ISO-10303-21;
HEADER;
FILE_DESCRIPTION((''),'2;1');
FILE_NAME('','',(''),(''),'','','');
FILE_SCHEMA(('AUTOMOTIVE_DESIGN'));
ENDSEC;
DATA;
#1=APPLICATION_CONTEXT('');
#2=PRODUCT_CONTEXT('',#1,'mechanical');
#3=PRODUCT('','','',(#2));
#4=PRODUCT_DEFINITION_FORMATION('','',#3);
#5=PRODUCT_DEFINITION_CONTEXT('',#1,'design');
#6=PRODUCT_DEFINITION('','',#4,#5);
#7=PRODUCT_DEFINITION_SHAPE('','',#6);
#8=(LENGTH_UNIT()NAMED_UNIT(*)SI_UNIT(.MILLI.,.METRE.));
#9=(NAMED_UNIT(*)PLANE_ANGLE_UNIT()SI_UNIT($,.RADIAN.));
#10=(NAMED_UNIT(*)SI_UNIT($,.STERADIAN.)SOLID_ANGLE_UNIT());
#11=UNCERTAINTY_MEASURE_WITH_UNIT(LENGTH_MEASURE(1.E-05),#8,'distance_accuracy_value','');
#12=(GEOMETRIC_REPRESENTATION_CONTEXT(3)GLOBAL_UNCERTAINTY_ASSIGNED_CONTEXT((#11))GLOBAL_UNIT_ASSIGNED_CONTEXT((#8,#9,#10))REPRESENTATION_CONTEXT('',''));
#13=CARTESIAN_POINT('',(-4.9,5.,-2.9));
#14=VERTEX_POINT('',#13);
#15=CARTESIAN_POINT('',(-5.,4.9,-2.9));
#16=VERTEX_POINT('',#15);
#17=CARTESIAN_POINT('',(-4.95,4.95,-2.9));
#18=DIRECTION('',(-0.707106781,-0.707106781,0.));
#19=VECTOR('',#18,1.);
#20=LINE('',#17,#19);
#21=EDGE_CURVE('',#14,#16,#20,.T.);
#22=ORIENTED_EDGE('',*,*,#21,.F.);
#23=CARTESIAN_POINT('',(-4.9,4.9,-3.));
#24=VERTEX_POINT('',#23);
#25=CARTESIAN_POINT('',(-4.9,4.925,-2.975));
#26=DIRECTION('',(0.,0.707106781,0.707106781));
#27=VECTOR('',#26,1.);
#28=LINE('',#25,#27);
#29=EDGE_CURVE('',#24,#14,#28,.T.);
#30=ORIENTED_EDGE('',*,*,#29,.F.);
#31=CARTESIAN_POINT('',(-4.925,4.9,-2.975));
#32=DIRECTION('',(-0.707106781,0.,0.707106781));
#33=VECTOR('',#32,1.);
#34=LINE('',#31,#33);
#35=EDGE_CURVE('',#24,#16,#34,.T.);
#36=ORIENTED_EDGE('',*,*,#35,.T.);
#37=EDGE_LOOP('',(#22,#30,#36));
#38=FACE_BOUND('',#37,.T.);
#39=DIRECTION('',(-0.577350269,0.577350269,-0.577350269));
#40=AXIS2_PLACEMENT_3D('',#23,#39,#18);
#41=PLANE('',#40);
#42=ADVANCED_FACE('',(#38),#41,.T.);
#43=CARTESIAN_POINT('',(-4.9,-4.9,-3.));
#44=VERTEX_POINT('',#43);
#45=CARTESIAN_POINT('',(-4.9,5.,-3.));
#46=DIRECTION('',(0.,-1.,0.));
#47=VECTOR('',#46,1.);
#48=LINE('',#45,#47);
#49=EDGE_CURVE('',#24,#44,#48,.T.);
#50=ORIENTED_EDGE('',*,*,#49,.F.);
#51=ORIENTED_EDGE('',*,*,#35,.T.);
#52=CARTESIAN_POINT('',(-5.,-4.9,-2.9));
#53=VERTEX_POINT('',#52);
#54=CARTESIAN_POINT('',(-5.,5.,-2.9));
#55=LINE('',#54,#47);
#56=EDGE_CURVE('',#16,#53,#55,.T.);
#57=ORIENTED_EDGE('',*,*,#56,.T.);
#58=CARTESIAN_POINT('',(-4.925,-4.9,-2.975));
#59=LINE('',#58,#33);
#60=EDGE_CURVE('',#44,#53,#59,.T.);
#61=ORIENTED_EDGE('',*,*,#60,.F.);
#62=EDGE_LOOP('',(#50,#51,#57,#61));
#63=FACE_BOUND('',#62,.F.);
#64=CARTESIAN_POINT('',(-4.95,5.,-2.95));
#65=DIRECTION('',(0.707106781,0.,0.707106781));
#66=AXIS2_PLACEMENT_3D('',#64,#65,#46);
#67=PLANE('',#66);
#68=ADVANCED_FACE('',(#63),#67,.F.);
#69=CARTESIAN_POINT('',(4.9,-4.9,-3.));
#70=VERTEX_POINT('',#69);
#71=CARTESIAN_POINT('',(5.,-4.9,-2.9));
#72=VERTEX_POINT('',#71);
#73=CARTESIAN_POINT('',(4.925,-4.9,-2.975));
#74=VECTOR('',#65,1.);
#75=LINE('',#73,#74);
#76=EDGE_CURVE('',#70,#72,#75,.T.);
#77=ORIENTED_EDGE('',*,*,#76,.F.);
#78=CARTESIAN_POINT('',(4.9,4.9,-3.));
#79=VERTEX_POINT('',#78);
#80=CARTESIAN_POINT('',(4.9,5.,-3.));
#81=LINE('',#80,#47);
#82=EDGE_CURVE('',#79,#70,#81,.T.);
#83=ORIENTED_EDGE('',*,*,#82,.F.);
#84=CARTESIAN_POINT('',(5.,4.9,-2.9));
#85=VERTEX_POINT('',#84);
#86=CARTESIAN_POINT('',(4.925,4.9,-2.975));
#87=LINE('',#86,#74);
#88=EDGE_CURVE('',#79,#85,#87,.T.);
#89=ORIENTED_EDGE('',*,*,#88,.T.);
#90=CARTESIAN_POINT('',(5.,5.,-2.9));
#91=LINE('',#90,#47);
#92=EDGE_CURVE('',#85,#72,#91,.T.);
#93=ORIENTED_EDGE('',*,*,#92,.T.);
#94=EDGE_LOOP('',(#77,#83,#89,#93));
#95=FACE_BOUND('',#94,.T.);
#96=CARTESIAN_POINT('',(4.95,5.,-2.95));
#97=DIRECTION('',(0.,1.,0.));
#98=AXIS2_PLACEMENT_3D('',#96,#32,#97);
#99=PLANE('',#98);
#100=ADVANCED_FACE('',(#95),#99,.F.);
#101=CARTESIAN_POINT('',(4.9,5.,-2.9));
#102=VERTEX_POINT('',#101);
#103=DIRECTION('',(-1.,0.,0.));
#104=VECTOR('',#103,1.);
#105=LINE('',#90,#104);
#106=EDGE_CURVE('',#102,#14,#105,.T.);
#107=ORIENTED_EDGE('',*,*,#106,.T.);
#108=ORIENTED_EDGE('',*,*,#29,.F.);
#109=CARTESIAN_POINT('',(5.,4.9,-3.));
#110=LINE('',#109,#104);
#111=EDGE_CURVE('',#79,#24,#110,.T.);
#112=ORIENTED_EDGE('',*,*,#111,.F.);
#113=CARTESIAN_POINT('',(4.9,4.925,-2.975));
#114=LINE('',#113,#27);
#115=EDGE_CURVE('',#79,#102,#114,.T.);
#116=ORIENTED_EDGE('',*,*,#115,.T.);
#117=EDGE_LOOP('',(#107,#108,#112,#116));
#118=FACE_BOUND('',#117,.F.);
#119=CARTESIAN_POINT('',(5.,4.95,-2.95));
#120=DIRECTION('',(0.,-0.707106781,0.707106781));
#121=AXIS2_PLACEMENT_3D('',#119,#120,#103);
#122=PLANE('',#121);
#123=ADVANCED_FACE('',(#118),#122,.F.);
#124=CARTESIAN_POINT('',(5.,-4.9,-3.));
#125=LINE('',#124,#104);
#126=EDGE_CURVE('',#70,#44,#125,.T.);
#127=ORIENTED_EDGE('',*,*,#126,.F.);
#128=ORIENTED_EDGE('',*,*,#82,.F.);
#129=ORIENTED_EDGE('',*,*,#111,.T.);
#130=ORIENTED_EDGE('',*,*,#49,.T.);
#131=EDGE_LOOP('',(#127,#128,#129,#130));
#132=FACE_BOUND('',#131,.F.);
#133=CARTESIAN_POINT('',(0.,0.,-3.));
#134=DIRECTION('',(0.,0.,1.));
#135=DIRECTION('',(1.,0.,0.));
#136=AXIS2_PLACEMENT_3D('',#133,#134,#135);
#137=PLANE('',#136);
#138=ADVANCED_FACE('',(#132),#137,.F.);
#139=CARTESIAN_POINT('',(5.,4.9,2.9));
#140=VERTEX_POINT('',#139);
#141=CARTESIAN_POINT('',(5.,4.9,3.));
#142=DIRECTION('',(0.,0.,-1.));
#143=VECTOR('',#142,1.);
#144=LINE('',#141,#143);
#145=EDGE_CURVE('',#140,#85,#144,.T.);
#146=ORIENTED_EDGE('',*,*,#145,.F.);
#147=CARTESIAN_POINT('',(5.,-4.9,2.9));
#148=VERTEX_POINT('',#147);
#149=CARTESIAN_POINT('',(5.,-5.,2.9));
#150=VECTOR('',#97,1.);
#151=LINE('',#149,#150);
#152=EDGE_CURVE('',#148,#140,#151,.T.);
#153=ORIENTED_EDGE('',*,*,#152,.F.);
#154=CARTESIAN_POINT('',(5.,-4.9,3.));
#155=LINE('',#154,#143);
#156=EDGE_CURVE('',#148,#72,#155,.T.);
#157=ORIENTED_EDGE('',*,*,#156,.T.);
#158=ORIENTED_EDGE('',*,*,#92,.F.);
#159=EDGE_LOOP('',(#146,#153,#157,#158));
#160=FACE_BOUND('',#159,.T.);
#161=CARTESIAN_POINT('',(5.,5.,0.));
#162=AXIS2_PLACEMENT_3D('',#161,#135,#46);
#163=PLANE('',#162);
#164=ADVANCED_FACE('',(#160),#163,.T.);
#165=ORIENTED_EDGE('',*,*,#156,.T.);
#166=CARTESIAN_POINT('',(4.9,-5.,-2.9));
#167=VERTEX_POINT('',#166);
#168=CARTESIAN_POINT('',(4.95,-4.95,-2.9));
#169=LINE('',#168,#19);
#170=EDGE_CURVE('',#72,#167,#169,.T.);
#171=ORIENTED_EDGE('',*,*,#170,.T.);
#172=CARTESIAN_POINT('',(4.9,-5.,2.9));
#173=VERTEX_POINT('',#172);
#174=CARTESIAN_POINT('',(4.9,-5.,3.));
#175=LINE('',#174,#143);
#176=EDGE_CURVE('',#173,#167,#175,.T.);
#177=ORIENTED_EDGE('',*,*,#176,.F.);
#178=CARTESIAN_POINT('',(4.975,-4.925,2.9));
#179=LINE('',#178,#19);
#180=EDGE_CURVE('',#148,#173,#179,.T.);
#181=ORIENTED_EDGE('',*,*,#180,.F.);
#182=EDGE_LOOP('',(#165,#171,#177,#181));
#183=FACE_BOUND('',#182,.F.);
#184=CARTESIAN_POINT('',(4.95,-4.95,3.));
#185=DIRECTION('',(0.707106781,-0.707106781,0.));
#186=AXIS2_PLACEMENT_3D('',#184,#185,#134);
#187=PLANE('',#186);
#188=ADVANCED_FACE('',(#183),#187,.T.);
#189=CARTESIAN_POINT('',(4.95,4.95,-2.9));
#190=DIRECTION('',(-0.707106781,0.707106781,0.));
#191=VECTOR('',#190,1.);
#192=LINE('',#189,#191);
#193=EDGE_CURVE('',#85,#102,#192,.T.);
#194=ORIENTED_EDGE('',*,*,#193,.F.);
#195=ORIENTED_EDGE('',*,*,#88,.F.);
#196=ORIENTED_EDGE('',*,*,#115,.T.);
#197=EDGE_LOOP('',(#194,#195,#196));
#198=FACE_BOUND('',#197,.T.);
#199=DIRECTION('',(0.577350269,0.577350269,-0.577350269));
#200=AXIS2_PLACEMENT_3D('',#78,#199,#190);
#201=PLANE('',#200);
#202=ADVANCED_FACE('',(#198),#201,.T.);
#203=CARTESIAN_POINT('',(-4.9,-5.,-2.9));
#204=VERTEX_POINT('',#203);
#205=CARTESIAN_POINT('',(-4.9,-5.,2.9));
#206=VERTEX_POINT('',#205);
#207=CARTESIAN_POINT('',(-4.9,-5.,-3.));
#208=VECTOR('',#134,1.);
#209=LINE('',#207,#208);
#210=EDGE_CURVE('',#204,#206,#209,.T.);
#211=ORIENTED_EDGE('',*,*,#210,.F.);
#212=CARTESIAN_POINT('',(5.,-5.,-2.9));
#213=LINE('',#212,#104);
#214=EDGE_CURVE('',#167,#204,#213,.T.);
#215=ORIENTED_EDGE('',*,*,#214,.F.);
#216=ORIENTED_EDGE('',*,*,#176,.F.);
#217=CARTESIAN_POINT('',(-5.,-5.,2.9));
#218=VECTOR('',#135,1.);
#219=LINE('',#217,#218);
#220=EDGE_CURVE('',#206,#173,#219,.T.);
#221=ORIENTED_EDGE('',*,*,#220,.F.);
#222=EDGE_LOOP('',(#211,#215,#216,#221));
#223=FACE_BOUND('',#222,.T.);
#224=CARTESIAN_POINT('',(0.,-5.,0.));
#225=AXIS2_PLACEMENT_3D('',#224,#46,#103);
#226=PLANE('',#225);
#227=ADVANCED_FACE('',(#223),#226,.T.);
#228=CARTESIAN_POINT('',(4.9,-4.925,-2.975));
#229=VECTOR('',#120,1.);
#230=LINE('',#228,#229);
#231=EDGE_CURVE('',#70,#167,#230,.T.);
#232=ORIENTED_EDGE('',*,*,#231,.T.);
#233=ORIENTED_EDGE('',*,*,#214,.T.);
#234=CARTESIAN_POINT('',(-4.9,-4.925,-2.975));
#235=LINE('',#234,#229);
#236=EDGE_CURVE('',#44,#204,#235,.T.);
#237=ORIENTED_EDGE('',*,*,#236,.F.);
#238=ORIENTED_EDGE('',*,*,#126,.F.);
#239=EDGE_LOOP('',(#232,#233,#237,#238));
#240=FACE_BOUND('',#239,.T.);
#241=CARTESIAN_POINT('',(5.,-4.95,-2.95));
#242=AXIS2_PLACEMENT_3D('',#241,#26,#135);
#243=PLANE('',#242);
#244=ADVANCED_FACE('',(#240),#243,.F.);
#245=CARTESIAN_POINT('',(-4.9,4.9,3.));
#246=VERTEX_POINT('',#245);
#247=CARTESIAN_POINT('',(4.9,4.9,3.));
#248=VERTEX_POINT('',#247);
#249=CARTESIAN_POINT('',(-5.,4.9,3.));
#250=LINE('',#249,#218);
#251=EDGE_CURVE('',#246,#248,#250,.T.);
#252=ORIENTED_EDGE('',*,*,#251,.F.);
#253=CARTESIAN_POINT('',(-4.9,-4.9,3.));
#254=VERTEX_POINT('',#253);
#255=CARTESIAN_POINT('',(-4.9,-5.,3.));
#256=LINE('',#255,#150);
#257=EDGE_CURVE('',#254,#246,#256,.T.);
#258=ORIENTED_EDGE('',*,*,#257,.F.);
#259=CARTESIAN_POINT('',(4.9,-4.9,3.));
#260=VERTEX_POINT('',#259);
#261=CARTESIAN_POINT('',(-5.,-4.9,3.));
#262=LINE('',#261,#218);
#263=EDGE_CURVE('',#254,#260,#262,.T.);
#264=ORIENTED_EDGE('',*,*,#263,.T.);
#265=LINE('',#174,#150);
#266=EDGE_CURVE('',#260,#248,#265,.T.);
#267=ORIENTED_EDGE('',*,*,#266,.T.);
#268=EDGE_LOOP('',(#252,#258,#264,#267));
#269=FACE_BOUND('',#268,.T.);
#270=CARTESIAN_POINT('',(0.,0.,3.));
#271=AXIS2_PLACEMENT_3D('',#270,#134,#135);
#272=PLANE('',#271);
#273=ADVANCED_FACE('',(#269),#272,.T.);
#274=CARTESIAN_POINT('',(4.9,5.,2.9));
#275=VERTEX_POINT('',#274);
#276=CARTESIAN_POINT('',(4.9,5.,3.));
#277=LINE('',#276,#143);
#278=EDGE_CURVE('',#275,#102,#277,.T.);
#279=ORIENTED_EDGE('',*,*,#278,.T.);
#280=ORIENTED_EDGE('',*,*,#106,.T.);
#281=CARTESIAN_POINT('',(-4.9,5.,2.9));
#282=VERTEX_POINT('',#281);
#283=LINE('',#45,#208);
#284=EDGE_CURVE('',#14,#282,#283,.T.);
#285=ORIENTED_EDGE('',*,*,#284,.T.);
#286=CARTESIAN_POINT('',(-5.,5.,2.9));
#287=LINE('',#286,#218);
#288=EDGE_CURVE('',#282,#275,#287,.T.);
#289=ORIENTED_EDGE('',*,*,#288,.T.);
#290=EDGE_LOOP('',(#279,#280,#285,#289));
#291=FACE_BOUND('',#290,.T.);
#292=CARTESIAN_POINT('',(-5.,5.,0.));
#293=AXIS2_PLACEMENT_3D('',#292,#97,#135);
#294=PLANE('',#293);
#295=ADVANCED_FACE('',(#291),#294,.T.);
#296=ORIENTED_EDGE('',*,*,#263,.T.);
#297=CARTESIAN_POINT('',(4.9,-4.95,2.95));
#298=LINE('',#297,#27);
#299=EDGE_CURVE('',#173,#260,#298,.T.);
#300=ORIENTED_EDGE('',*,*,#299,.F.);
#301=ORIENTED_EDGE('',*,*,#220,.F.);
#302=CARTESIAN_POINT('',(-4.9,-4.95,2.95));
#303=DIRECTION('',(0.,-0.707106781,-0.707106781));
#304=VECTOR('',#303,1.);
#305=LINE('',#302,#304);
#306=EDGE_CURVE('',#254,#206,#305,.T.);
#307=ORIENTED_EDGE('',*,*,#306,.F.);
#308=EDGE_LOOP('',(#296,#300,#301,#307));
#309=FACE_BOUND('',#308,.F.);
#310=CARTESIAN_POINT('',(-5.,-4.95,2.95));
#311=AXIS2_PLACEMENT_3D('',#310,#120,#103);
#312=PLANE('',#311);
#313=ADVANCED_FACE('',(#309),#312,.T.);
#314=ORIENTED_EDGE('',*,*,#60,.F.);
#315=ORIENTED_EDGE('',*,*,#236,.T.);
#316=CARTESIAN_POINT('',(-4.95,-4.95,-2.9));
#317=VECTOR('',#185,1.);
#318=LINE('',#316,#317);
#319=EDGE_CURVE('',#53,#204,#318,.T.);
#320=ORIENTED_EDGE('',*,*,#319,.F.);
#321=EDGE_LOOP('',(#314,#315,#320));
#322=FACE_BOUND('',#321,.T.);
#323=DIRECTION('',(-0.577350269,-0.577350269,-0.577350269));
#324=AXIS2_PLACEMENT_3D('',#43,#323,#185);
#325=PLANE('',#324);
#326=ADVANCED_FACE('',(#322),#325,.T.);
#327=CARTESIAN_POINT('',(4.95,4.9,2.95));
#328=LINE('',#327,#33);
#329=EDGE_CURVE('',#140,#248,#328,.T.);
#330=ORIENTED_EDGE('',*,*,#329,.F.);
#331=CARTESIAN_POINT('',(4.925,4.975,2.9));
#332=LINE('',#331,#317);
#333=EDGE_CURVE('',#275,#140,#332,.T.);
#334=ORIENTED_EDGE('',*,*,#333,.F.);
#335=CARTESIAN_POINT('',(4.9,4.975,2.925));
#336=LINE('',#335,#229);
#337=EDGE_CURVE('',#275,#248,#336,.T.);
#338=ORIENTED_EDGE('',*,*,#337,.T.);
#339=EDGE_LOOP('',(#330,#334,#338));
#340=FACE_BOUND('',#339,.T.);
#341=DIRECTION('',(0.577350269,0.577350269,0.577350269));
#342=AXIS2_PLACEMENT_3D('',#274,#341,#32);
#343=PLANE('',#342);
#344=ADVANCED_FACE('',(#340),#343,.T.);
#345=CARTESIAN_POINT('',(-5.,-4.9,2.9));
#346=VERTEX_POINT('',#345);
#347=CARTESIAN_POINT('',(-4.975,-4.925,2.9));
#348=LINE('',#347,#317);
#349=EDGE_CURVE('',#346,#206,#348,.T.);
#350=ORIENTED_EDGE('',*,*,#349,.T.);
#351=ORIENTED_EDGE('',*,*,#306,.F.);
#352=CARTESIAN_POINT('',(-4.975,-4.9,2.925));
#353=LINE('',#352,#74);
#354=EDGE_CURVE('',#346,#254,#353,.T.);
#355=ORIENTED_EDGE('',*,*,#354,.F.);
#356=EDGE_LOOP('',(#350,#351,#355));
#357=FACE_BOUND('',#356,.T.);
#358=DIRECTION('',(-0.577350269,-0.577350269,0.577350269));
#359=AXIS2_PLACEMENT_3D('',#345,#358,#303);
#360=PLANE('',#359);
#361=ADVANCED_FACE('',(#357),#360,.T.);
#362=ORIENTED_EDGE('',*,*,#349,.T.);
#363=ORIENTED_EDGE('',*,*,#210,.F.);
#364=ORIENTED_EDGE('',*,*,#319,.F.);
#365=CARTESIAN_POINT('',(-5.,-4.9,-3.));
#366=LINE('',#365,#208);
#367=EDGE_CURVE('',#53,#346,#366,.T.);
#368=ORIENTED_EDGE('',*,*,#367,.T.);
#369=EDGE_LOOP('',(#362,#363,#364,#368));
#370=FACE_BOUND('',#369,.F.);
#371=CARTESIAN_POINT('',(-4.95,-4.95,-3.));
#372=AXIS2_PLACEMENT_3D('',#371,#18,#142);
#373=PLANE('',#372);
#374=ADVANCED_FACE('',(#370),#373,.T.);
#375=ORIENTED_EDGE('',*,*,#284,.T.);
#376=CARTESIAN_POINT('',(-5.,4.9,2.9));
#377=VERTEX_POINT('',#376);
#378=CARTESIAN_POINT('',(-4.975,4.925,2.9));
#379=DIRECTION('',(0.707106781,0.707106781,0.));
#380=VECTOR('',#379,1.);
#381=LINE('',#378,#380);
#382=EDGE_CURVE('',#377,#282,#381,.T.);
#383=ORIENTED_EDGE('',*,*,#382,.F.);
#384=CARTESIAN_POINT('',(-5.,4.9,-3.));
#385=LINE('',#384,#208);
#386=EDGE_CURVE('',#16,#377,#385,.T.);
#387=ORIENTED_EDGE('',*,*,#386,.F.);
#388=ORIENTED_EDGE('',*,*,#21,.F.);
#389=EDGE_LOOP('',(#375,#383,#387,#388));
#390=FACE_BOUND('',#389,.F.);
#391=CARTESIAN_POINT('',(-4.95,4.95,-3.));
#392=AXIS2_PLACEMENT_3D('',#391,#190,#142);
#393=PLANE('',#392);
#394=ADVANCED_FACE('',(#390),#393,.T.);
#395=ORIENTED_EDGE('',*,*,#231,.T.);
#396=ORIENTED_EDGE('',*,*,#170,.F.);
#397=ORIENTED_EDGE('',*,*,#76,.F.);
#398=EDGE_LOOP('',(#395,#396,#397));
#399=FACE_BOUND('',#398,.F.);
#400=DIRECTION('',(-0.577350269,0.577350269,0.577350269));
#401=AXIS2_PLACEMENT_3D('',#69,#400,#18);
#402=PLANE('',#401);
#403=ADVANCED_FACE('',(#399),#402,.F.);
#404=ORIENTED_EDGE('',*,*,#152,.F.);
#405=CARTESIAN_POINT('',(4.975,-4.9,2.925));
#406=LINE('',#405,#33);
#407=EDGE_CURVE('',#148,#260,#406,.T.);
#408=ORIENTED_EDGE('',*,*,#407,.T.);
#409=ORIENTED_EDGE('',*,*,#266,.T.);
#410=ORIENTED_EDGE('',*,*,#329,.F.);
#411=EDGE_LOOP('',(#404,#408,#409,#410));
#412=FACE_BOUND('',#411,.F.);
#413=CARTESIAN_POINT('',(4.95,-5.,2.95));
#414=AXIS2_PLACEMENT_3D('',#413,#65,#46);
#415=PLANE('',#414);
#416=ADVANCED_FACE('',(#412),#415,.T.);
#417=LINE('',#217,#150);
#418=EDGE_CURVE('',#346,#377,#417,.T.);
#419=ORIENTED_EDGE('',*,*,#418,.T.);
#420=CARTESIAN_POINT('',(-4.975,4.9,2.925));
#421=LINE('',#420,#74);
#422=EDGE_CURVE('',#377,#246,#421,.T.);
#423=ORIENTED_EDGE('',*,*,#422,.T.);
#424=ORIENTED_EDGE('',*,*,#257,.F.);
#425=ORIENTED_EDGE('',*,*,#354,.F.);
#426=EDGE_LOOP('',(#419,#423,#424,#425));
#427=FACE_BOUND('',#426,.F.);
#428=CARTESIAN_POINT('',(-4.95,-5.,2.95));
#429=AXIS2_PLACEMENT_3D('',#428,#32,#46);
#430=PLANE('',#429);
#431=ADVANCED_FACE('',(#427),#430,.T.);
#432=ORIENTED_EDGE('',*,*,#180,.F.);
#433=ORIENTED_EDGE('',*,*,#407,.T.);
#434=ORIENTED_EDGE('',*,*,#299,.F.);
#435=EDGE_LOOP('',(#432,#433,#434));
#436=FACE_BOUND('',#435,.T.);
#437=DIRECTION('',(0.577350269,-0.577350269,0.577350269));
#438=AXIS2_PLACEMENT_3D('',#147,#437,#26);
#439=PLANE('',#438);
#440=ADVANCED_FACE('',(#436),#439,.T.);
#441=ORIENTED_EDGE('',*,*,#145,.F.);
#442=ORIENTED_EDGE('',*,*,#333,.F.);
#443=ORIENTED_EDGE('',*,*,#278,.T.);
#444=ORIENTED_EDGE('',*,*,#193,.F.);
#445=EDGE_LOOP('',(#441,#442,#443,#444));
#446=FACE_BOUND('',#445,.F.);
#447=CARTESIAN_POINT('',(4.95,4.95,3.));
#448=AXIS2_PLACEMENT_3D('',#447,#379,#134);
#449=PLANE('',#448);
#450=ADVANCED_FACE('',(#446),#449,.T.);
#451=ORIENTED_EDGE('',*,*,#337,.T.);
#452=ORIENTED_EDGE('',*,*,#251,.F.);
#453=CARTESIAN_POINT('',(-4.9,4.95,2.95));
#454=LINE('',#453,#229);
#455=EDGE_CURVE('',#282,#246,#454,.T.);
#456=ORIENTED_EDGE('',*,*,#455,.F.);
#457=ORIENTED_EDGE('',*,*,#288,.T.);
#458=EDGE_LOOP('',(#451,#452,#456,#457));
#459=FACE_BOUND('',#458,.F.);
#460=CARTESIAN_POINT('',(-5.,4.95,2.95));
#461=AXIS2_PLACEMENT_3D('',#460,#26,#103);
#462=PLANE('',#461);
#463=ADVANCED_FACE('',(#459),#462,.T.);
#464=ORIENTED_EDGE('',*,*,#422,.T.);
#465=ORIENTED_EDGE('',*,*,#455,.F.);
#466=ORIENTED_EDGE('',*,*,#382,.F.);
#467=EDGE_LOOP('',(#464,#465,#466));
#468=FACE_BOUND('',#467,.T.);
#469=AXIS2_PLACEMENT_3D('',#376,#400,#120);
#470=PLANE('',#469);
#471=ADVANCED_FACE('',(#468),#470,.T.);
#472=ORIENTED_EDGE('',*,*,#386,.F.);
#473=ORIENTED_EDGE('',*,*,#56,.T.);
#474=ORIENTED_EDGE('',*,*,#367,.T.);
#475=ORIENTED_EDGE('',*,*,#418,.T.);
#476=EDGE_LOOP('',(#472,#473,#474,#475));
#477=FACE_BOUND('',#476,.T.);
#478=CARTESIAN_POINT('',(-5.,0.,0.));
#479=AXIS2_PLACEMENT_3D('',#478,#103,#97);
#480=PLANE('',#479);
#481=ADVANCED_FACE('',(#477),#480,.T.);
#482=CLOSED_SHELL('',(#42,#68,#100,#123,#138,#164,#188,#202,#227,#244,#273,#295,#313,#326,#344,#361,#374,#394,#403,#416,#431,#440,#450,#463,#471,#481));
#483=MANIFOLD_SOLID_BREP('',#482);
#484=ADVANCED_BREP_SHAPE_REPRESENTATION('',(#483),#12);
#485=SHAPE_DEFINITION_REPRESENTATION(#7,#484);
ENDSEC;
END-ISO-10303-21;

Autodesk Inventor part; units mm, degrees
ref_plane "YZ Plane" through (0, 0, 0) normal (1, 0, 0) x (0, 1, 0)
ref_plane "XZ Plane" through (0, 0, 0) normal (0, 1, 0) x (-1, 0, 0)
ref_plane "XY Plane" through (0, 0, 0) normal (0, 0, 1) x (1, 0, 0)
sketch "スケッチ1" plane through (0, 0, 0) normal (0, 0, 1) x (1, 0, 0)
  line L0 (-5, 5) -> (5, 5)
  line L1 (5, 5) -> (5, -5)
  line L2 (5, -5) -> (-5, -5)
  line L3 (-5, -5) -> (-5, 5)
  line L4 (-7, 0) -> (7, 0) projected
  line L5 (0, -7) -> (0, 7) projected
  point P0 (0, 0)
  dimension "d0" = 10
  dimension "d1" = 10
extrude "押し出し1" add sketch "スケッチ1" along normal mid plane 6
chamfer "面取り1" distance 0.1 angle 45 12 edges at (0, -5, 3) (5, -5, 0) (5, 0, 3) (5, 5, 0) (0, 5, 3) (-5, 5, 0) (-5, 0, 3) (-5, -5, 0) (5, 0, -3) (0, 5, -3) (-5, 0, -3) (0, -5, -3)
properties part number "magnet_10-10-6"
